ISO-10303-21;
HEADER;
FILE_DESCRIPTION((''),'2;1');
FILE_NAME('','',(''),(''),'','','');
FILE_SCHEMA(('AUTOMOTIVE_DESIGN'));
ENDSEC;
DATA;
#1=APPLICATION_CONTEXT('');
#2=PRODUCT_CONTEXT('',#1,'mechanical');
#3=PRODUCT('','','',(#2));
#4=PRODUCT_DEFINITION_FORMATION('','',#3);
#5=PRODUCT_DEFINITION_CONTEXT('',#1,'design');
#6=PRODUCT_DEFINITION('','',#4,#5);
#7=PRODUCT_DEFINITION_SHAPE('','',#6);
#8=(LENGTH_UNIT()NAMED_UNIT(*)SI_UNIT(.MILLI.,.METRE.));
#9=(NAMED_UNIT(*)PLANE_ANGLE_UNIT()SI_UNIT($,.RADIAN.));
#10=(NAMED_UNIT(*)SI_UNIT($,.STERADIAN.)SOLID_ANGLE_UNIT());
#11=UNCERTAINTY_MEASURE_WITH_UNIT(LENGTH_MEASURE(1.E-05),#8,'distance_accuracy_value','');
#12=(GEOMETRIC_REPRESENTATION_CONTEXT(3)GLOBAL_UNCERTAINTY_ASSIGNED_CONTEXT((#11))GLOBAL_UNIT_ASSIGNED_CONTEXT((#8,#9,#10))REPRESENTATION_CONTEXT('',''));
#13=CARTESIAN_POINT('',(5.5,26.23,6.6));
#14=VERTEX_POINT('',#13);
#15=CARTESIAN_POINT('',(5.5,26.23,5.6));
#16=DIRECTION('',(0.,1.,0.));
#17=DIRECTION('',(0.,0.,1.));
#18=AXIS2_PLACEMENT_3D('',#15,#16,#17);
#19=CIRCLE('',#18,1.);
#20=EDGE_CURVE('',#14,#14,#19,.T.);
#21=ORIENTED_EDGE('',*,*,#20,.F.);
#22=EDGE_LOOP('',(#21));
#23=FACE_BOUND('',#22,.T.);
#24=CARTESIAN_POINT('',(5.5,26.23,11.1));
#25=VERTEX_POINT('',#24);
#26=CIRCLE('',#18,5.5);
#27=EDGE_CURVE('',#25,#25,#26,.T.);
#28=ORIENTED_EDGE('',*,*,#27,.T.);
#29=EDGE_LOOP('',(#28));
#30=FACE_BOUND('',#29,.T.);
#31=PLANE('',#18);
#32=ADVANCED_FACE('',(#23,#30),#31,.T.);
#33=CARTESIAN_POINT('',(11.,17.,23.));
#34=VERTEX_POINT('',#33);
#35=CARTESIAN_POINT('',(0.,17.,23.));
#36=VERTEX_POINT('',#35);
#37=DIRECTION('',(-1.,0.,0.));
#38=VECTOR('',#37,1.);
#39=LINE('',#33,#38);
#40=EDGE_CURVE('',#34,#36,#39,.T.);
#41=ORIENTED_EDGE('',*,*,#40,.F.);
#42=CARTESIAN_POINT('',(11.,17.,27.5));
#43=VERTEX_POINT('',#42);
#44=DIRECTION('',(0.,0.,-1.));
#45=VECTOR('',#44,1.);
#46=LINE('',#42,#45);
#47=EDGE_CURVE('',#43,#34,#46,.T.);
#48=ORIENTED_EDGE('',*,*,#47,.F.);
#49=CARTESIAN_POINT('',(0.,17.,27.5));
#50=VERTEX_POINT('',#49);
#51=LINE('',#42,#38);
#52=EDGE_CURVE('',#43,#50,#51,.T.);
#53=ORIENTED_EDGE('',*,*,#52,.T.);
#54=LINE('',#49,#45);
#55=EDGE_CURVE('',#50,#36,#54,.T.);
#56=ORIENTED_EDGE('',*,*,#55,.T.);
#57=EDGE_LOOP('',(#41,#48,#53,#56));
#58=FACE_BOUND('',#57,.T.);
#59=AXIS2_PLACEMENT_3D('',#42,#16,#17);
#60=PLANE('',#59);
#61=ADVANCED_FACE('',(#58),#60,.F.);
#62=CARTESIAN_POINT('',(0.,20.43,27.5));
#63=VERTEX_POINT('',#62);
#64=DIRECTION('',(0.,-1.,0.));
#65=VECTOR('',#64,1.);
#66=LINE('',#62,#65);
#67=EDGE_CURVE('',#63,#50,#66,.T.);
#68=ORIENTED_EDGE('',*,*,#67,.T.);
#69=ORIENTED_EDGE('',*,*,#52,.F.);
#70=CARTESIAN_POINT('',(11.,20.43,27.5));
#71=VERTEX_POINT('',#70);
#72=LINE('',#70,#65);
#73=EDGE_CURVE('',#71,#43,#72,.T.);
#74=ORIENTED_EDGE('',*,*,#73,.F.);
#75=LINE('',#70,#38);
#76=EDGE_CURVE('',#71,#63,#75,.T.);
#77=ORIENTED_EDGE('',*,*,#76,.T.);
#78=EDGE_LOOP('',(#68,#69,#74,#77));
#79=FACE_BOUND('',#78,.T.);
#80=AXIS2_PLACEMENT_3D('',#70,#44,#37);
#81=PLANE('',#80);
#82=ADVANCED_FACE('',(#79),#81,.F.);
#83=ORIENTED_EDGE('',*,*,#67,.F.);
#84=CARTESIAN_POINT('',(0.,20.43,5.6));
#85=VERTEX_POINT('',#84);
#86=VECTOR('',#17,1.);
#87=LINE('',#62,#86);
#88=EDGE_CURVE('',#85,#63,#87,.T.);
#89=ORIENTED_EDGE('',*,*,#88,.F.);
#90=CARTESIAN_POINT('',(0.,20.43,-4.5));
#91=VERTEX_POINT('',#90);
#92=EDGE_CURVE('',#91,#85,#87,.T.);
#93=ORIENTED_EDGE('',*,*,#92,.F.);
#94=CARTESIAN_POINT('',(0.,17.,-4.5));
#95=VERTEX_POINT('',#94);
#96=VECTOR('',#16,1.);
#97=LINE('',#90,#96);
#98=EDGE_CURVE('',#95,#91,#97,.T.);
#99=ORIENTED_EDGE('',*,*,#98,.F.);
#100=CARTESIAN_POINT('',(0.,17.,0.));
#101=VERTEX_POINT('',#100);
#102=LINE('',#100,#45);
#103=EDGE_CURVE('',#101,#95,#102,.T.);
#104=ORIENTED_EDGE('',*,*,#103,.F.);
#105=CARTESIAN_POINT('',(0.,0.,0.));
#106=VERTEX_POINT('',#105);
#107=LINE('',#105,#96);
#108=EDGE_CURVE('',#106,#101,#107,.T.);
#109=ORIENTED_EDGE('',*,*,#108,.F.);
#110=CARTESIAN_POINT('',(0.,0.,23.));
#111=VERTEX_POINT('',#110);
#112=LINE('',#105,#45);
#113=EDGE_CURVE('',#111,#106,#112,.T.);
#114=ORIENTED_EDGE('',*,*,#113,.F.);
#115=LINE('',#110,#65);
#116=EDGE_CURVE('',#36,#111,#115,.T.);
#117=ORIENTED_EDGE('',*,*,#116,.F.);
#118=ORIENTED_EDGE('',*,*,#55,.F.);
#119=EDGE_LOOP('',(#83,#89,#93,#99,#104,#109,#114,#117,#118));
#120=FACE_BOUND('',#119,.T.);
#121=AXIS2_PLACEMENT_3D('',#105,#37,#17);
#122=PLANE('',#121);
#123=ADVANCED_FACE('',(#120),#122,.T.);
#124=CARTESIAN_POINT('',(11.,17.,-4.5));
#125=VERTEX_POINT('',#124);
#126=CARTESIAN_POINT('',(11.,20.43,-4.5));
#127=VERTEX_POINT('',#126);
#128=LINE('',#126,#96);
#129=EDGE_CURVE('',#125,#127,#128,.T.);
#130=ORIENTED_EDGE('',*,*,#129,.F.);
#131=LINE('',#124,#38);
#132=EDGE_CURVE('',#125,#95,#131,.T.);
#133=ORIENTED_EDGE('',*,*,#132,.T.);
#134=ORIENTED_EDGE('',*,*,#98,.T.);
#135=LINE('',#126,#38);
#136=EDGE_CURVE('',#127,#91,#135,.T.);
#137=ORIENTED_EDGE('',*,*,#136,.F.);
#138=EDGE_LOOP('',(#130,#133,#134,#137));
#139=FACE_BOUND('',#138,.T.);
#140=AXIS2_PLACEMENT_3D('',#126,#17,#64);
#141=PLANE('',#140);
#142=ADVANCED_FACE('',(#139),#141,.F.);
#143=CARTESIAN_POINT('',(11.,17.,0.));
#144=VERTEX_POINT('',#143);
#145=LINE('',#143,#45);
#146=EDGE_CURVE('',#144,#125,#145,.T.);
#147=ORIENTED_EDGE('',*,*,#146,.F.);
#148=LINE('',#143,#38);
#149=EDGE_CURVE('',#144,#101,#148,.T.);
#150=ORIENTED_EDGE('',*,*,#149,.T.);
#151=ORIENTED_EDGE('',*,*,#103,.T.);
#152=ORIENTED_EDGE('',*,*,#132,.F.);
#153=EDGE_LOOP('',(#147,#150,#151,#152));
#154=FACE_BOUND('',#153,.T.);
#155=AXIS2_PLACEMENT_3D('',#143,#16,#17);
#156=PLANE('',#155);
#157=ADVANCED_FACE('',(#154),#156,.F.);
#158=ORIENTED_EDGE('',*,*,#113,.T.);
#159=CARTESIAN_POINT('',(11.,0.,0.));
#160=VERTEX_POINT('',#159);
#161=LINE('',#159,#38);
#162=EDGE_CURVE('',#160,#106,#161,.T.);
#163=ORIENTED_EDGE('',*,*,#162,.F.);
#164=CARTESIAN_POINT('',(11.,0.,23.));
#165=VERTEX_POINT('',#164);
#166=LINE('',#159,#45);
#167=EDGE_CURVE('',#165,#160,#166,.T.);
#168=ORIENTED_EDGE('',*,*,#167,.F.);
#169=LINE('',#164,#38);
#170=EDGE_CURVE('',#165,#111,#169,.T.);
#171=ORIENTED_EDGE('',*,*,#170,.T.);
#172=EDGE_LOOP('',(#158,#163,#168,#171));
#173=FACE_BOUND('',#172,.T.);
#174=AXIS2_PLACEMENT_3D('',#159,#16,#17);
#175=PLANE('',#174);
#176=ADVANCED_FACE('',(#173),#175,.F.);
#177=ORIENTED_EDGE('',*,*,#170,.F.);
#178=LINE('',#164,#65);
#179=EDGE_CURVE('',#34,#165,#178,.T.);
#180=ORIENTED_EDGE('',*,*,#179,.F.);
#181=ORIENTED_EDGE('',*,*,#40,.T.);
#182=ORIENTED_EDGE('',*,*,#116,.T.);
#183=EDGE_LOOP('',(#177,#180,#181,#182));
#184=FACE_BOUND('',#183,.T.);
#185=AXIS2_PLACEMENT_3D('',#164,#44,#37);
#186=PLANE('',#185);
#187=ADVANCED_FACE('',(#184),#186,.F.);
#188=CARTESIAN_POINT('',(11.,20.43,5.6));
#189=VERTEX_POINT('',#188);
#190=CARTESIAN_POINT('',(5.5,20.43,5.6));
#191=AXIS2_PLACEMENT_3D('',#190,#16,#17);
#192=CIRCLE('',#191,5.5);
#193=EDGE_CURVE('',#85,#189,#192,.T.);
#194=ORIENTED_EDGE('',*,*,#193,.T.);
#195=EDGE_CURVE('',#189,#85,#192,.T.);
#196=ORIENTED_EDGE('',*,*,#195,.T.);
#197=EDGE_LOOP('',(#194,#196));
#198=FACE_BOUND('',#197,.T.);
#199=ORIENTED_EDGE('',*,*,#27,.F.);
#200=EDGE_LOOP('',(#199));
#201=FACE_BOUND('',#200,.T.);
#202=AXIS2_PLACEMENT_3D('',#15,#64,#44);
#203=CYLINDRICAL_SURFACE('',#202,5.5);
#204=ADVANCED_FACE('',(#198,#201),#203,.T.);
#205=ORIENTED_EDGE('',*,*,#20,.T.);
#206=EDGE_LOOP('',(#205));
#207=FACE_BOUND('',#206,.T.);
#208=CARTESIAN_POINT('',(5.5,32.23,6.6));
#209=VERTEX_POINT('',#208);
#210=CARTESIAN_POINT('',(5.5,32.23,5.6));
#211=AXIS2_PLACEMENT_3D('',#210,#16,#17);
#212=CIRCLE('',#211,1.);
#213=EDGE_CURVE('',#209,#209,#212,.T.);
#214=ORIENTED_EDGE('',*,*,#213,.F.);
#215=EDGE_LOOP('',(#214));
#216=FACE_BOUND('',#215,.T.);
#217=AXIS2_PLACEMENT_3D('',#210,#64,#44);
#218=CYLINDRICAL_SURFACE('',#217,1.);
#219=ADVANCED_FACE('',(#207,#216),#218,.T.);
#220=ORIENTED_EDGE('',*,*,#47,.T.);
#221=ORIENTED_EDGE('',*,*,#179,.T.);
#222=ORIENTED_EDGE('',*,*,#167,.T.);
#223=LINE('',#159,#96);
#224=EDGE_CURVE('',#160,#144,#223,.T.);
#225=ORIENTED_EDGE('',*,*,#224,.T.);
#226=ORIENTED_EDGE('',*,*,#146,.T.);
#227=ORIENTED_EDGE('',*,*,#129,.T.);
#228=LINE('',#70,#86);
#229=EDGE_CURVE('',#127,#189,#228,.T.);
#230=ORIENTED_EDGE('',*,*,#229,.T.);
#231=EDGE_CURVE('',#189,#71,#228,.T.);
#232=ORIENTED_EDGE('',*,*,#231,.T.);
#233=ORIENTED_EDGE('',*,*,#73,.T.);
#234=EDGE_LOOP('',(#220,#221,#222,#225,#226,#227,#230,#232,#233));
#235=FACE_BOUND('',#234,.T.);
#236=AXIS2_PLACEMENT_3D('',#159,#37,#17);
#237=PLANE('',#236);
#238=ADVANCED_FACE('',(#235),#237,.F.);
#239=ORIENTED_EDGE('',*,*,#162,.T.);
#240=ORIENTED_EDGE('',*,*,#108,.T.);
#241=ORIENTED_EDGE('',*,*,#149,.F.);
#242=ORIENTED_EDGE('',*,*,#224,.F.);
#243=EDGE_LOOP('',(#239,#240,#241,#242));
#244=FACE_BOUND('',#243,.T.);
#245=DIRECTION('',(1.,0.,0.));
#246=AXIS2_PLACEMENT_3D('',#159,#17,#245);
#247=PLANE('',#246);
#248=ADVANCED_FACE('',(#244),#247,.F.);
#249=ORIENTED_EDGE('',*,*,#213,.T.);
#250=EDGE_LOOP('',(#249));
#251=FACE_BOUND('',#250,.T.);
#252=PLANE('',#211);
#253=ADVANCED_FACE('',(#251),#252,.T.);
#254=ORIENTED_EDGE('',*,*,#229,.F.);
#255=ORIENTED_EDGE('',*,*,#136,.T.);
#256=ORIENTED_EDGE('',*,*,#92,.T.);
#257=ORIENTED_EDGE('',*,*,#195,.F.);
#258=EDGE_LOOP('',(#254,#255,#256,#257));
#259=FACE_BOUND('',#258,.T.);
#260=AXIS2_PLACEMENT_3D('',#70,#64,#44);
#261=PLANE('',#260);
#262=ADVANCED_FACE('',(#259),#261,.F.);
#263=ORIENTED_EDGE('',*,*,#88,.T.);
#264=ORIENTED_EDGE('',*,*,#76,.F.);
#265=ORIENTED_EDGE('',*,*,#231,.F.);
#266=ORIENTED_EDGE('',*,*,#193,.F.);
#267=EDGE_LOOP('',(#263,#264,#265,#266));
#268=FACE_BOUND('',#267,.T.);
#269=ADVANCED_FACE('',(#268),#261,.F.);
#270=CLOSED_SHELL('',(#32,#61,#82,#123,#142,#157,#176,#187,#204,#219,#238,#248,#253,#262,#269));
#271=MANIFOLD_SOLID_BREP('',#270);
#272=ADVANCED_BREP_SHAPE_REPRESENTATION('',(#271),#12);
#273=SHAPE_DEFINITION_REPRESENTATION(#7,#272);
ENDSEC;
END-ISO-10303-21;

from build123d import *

# Parameters (mm, degrees)
BOSS_EXTRU_1_DEPTH = 11
ESQUISSE2_R        = 5.5
BOSS_EXTRU_2_DEPTH = 5.8
ESQUISSE7_R        = 1
BOSS_EXTRU_3_DEPTH = 6


with BuildPart() as part:
    # Esquisse1 → Boss.-Extru.1 (new body)
    with BuildSketch(Plane(origin=(0, 0, 0), x_dir=(0, 0, -1), z_dir=(1, 0, 0))):
        Polygon((0, 17), (4.5, 17), (4.5, 20.43), (-27.5, 20.43), (-27.5, 17), (-23, 17), (-23, 0), (0, 0), align=None)
    extrude(amount=BOSS_EXTRU_1_DEPTH)

    # Esquisse2 → Boss.-Extru.2 (add)
    with BuildSketch(Plane(origin=(0, 20.43, 0), x_dir=(1, 0, 0), z_dir=(0, 1, 0))):
        with Locations((5.5, -5.6)):
            Circle(ESQUISSE2_R)
    extrude(amount=BOSS_EXTRU_2_DEPTH)

    # Esquisse7 → Boss.-Extru.3 (add)
    with BuildSketch(Plane(origin=(0, 26.23, 0), x_dir=(1, 0, 0), z_dir=(0, 1, 0))):
        with Locations((5.5, -5.6)):
            Circle(ESQUISSE7_R)
    extrude(amount=BOSS_EXTRU_3_DEPTH)


solid = part.part
